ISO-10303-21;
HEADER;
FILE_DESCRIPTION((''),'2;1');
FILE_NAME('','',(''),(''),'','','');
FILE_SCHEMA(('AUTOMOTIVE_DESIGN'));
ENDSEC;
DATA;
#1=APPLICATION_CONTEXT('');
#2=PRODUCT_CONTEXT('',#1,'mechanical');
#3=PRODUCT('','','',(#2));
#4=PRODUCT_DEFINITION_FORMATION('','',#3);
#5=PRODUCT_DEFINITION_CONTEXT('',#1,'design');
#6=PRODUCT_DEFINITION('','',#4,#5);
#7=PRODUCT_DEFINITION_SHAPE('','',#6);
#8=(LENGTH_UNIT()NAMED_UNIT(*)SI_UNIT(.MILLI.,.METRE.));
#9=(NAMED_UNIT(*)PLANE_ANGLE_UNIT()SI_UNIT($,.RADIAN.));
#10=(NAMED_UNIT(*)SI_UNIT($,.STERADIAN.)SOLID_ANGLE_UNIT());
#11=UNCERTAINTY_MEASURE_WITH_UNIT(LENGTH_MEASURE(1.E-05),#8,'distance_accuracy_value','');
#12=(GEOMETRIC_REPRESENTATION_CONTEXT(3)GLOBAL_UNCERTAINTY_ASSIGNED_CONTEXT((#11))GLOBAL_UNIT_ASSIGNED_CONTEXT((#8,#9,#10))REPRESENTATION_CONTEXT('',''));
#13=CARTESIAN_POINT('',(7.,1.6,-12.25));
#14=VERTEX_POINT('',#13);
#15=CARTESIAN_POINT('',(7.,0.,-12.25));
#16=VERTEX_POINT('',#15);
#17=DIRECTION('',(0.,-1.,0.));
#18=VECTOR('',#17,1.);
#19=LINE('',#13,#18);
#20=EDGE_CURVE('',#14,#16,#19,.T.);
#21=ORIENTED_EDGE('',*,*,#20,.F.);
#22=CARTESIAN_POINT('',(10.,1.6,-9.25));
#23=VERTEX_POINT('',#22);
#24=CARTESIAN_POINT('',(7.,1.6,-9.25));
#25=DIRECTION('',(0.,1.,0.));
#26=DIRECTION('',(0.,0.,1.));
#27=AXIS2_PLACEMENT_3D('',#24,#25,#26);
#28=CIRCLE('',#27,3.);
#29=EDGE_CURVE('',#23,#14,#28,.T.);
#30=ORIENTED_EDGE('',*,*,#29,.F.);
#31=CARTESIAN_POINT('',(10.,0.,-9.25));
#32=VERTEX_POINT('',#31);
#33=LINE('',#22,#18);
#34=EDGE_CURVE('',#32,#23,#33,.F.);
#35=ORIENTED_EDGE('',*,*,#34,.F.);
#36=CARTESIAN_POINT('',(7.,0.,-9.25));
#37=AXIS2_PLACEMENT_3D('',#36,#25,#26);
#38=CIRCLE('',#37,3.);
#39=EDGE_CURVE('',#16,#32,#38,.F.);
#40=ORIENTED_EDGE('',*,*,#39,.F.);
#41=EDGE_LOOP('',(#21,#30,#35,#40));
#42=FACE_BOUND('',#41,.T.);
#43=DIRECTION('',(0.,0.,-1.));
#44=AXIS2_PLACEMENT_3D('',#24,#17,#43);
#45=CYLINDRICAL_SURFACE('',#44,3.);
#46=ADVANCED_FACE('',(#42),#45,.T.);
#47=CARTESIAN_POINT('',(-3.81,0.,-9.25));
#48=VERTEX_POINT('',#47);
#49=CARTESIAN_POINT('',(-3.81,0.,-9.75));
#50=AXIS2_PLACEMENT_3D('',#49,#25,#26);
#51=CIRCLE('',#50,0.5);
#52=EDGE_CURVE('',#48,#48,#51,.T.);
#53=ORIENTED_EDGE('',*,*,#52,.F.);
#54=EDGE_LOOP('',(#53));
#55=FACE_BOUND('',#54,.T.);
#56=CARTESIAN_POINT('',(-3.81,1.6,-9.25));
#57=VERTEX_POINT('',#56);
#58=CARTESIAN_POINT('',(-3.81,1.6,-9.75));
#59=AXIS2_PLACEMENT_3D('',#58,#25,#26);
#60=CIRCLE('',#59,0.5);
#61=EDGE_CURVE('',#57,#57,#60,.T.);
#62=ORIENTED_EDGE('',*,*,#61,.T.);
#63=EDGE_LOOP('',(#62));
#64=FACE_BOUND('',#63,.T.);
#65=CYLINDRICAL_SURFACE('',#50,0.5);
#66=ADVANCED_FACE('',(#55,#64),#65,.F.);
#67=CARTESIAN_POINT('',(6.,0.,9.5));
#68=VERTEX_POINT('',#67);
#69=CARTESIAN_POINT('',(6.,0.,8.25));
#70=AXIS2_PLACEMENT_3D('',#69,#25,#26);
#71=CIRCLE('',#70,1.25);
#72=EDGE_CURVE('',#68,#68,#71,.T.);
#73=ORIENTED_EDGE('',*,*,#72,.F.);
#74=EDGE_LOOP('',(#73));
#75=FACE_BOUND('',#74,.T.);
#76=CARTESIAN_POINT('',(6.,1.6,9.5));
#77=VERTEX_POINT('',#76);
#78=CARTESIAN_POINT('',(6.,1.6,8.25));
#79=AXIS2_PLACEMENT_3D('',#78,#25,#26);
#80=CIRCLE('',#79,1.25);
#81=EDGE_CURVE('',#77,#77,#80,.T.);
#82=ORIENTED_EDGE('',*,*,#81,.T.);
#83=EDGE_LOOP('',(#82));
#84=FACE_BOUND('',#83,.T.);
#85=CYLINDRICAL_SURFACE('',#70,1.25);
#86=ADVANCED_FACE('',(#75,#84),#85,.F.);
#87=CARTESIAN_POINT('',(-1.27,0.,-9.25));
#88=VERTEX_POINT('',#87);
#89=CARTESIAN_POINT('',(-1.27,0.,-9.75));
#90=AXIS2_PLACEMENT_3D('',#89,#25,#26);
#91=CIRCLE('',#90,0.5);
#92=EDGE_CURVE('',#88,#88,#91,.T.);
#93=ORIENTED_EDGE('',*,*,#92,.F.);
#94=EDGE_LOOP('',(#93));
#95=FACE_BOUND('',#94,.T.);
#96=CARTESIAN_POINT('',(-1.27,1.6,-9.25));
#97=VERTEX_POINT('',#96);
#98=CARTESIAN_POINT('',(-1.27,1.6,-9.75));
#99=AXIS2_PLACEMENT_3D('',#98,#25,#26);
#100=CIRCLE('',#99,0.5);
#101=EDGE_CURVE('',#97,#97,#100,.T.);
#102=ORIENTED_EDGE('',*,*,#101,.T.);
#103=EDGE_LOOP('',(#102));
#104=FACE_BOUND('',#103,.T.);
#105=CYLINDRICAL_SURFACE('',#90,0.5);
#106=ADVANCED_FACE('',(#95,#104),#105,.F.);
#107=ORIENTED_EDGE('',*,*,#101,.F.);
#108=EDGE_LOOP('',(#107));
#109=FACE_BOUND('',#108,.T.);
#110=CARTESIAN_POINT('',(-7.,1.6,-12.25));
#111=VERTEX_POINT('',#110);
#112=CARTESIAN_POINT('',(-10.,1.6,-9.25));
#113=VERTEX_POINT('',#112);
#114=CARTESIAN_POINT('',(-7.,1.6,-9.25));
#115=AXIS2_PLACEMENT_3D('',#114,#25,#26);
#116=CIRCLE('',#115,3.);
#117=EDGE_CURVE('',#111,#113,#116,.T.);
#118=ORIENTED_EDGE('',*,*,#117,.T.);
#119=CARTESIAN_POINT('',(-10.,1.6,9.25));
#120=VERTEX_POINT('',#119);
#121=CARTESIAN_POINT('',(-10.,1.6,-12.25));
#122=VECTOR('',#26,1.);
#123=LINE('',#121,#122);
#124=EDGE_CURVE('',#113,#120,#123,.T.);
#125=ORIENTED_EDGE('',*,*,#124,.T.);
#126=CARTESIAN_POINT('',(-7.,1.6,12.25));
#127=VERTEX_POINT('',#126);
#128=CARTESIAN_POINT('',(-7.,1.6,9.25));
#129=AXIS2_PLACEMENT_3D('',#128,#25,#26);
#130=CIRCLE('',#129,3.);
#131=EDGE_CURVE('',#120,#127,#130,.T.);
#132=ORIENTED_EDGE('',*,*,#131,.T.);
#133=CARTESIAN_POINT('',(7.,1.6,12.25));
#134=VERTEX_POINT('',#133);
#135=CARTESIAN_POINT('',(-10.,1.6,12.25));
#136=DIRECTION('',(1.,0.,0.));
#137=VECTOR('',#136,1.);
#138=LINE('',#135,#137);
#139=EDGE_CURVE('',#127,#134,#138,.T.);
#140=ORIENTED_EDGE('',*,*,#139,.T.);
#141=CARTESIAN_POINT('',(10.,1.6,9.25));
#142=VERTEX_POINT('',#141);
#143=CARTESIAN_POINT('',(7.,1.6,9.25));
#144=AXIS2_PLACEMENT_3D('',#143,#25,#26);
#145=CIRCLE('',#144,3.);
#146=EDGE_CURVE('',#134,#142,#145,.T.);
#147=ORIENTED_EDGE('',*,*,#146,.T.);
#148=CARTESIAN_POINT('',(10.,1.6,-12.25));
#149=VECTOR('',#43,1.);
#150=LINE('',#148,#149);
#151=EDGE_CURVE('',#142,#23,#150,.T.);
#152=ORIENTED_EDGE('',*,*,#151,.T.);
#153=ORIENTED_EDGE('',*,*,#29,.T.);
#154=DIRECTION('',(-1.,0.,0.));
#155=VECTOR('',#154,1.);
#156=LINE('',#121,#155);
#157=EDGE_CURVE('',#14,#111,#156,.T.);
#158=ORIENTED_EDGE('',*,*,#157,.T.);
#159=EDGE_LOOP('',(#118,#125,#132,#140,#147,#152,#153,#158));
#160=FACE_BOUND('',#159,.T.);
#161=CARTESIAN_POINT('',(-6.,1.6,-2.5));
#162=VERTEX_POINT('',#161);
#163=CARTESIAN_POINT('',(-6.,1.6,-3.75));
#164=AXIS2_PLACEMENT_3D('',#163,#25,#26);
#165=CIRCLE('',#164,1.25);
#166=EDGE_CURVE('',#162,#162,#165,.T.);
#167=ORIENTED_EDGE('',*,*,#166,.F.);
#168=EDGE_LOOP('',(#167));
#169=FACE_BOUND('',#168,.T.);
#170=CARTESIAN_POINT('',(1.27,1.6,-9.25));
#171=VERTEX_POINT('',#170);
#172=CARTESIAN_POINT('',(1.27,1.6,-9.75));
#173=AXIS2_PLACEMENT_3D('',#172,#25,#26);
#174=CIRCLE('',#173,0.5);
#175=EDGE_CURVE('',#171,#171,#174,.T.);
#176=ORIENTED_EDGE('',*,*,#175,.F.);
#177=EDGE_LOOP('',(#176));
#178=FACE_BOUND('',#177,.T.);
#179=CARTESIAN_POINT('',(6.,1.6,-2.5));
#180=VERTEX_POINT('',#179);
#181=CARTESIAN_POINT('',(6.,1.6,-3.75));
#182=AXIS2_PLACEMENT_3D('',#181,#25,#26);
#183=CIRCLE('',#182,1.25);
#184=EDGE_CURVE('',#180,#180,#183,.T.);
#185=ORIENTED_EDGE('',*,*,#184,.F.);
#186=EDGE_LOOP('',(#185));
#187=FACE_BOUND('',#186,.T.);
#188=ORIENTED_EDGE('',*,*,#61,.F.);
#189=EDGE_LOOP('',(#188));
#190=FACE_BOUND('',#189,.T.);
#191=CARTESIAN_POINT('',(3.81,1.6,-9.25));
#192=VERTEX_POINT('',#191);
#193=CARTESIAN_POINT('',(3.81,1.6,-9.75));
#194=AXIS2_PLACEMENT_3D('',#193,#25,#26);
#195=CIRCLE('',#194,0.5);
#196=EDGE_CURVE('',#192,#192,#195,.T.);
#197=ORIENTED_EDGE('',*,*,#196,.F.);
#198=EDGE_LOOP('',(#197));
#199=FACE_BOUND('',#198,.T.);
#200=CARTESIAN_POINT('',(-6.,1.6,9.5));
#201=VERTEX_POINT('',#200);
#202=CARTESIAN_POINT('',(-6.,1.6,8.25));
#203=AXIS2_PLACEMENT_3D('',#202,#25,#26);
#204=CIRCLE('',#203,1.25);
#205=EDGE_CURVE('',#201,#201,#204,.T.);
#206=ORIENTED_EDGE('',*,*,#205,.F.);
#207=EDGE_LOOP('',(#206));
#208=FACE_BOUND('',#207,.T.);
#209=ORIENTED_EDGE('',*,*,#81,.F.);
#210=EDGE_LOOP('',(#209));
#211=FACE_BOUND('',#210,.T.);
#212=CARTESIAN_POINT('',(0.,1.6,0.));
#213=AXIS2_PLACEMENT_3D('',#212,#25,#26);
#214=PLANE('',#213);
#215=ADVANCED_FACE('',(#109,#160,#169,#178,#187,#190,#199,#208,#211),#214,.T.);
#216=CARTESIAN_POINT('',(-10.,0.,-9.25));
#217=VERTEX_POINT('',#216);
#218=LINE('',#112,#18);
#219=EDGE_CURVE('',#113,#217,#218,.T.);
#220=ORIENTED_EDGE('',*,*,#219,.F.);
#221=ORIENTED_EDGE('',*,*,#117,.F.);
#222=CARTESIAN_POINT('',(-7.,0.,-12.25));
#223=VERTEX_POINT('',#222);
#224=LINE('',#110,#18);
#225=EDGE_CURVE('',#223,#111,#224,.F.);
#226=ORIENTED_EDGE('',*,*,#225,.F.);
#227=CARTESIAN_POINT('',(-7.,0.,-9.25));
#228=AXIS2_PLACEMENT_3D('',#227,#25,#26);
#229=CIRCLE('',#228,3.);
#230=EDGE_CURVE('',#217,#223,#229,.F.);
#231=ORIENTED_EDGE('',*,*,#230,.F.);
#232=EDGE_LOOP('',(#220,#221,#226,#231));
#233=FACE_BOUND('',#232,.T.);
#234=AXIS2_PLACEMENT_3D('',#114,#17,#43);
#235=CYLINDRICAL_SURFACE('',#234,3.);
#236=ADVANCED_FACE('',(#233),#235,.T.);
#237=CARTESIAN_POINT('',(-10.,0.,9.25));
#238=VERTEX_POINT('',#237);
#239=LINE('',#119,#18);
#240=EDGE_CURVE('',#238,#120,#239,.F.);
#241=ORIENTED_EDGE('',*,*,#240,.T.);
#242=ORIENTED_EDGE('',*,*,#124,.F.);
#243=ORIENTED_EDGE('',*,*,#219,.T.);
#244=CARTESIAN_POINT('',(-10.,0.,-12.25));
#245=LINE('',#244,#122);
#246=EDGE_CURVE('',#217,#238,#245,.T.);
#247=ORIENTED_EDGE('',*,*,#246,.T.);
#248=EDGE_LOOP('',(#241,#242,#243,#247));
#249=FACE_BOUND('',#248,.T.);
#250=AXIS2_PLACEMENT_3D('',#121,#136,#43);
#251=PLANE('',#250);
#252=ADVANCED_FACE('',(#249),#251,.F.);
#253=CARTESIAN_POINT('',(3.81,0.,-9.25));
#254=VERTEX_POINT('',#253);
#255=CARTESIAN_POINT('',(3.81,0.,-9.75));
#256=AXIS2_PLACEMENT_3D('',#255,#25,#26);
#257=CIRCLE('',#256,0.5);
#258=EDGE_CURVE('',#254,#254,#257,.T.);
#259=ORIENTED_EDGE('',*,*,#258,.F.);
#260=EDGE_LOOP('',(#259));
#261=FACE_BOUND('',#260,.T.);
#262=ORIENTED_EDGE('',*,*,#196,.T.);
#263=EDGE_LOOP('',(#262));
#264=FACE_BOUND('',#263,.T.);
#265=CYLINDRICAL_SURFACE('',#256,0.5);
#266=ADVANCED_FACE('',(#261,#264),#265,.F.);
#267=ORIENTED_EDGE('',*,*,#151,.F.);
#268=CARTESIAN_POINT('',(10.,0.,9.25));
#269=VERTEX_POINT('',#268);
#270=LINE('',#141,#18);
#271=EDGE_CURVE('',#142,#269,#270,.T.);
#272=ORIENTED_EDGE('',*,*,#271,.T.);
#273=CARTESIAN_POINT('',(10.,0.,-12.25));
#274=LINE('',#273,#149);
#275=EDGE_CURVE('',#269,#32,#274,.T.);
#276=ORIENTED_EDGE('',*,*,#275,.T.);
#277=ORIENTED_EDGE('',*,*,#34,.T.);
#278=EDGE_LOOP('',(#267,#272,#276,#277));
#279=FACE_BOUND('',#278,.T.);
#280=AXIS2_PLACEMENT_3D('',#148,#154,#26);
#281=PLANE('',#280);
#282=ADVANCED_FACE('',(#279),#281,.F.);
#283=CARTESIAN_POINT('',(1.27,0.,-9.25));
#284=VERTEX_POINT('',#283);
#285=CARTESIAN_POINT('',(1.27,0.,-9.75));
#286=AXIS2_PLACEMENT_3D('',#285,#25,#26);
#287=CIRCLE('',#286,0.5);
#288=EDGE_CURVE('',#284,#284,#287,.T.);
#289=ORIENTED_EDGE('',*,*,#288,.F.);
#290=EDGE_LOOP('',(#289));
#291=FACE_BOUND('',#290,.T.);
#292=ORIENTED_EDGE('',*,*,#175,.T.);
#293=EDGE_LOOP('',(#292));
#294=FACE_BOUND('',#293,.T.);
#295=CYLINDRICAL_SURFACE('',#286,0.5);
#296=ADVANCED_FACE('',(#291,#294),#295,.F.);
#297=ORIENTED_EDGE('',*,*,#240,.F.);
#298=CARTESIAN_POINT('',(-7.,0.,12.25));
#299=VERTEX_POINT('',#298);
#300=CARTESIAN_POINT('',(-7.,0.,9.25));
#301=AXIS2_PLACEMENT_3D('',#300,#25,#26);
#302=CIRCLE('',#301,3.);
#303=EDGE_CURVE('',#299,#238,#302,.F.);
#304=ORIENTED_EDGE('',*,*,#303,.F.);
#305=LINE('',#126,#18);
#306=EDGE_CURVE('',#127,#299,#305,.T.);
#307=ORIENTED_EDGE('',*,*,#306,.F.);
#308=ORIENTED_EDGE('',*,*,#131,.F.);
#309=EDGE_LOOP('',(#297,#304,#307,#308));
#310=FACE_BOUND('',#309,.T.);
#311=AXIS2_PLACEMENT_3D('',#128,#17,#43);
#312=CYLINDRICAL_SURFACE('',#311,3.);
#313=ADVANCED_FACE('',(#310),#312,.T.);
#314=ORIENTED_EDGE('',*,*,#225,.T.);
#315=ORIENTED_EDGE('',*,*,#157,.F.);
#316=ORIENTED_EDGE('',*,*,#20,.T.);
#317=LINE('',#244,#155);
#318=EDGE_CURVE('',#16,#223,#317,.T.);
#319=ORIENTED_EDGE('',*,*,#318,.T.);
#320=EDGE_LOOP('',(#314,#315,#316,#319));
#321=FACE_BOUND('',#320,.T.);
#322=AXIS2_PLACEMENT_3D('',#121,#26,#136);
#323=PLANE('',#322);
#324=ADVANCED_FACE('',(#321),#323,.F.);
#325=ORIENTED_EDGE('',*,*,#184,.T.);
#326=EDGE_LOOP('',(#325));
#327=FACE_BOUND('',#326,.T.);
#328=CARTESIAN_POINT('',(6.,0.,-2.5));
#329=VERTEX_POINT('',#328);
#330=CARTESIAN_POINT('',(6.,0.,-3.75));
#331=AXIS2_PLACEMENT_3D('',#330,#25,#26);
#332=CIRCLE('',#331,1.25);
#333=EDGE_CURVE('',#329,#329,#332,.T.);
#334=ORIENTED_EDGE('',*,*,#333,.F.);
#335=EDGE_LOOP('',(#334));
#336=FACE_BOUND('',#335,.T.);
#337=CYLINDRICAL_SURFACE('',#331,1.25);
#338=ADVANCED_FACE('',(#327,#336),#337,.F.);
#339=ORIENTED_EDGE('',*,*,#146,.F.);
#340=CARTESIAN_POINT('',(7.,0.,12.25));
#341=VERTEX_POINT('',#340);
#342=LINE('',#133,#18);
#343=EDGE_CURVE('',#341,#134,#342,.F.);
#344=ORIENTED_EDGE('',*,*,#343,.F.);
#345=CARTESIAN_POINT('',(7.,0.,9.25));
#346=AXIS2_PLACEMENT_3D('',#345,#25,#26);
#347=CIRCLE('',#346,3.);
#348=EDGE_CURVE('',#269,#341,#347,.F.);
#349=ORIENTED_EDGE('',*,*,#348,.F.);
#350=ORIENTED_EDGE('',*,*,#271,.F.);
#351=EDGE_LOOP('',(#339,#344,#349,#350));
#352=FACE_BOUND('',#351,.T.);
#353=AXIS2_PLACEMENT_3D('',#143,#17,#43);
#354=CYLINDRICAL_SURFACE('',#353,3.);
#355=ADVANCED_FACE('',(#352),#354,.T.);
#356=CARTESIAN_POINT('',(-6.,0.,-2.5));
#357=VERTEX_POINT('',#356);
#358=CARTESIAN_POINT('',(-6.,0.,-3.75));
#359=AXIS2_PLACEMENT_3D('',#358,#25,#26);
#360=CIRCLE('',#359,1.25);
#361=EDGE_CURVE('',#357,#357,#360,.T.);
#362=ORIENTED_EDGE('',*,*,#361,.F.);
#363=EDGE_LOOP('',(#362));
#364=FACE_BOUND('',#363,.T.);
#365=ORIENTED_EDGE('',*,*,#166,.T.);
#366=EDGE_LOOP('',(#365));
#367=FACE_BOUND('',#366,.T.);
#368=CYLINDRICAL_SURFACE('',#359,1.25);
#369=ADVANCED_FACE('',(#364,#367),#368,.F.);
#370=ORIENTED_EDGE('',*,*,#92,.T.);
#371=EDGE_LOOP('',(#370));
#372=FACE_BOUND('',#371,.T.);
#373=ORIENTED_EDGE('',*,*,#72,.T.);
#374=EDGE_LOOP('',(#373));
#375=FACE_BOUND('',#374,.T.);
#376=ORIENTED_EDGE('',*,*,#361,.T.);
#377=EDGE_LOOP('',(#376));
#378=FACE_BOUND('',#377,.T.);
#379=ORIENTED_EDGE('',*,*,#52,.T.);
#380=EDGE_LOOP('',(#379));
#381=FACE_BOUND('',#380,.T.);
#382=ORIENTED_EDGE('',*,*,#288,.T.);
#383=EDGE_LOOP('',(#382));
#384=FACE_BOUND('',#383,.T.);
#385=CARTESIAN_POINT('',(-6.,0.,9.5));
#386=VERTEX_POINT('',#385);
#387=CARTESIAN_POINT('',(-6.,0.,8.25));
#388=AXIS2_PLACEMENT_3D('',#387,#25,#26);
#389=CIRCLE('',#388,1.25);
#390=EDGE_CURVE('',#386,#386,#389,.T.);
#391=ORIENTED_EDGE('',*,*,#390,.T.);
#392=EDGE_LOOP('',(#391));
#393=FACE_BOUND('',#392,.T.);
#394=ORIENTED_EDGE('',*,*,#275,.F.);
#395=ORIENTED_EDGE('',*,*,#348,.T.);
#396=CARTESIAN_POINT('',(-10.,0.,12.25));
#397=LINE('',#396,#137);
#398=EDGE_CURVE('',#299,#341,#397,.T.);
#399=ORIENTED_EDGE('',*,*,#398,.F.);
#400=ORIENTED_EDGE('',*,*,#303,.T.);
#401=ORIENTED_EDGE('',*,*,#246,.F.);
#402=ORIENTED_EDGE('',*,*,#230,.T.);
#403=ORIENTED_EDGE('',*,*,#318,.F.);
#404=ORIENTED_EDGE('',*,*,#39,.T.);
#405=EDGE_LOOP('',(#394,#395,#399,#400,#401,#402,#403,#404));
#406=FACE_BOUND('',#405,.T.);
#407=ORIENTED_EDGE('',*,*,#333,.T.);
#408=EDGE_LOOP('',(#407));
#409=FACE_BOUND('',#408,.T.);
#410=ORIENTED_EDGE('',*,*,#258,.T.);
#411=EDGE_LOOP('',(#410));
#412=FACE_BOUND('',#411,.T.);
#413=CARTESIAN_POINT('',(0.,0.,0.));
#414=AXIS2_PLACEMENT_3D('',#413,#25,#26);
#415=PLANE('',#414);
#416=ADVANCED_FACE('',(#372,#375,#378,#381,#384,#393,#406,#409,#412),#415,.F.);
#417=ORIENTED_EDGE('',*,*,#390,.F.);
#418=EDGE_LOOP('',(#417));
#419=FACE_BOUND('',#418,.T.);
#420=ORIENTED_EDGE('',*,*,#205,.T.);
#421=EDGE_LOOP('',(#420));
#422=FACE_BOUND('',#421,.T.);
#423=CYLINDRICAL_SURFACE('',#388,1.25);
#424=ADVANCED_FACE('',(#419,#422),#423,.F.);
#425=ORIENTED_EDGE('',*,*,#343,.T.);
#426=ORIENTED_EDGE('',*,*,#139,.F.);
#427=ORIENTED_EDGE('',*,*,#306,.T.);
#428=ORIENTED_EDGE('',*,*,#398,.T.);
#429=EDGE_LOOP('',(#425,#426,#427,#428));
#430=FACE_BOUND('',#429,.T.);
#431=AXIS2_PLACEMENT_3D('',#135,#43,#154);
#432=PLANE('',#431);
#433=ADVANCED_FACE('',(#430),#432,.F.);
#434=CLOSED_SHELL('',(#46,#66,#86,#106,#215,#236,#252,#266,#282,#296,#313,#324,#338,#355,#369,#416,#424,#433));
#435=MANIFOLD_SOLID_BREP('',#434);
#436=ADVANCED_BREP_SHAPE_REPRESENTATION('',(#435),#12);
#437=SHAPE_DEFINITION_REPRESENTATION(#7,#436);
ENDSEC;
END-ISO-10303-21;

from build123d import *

# Parameters (mm, degrees)
SKETCH1_W               = 20
SKETCH1_H               = 24.5
BOSS_EXTRUDE1_DEPTH     = 1.6
CUT_EXTRUDE1_DEPTH      = 16.89410268
CUT_EXTRUDE1_DEPTH_BACK = 16.89410268
SKETCH2_R               = 1.25
SKETCH2_R_2             = 0.5
FILLET1_R               = 3


with BuildPart() as part:
    # Sketch1 → Boss-Extrude1 (new body)
    with BuildSketch(Plane(origin=(0, 0, 0), x_dir=(1, 0, 0), z_dir=(0, 1, 0))):
        Rectangle(SKETCH1_W, SKETCH1_H)
    extrude(amount=BOSS_EXTRUDE1_DEPTH)

    # Sketch2 → Cut-Extrude1 (cut, two sides: drawn at the far end of the back side and taken through both)
    with BuildSketch(Plane(origin=(0, 1.6, 0), x_dir=(1, 0, 0), z_dir=(0, 1, 0)).offset(-CUT_EXTRUDE1_DEPTH_BACK)):
        with Locations(Location((-6, -8.25, 0), (0, 0, 270))):
            Circle(SKETCH2_R)
        with Locations(Location((6, -8.25, 0), (0, 0, 270))):
            Circle(SKETCH2_R)
        with Locations(Location((6, 3.75, 0), (0, 0, 270))):
            Circle(SKETCH2_R)
        with Locations(Location((-6, 3.75, 0), (0, 0, 270))):
            Circle(SKETCH2_R)
        with Locations(Location((-3.81, 9.75, 0), (0, 0, 270))):
            Circle(SKETCH2_R_2)
        with Locations(Location((-1.27, 9.75, 0), (0, 0, 270))):
            Circle(SKETCH2_R_2)
        with Locations(Location((1.27, 9.75, 0), (0, 0, 270))):
            Circle(SKETCH2_R_2)
        with Locations(Location((3.81, 9.75, 0), (0, 0, 270))):
            Circle(SKETCH2_R_2)
    extrude(amount=CUT_EXTRUDE1_DEPTH + CUT_EXTRUDE1_DEPTH_BACK, mode=Mode.SUBTRACT)

    # Fillet1
    fillet1_edges = [part.edges().sort_by_distance(p)[0] for p in [
        (10, 0.8, 12.25),
        (-10, 0.8, 12.25),
        (-10, 0.8, -12.25),
        (10, 0.8, -12.25),
    ]]
    fillet(fillet1_edges, radius=FILLET1_R)


solid = part.part
